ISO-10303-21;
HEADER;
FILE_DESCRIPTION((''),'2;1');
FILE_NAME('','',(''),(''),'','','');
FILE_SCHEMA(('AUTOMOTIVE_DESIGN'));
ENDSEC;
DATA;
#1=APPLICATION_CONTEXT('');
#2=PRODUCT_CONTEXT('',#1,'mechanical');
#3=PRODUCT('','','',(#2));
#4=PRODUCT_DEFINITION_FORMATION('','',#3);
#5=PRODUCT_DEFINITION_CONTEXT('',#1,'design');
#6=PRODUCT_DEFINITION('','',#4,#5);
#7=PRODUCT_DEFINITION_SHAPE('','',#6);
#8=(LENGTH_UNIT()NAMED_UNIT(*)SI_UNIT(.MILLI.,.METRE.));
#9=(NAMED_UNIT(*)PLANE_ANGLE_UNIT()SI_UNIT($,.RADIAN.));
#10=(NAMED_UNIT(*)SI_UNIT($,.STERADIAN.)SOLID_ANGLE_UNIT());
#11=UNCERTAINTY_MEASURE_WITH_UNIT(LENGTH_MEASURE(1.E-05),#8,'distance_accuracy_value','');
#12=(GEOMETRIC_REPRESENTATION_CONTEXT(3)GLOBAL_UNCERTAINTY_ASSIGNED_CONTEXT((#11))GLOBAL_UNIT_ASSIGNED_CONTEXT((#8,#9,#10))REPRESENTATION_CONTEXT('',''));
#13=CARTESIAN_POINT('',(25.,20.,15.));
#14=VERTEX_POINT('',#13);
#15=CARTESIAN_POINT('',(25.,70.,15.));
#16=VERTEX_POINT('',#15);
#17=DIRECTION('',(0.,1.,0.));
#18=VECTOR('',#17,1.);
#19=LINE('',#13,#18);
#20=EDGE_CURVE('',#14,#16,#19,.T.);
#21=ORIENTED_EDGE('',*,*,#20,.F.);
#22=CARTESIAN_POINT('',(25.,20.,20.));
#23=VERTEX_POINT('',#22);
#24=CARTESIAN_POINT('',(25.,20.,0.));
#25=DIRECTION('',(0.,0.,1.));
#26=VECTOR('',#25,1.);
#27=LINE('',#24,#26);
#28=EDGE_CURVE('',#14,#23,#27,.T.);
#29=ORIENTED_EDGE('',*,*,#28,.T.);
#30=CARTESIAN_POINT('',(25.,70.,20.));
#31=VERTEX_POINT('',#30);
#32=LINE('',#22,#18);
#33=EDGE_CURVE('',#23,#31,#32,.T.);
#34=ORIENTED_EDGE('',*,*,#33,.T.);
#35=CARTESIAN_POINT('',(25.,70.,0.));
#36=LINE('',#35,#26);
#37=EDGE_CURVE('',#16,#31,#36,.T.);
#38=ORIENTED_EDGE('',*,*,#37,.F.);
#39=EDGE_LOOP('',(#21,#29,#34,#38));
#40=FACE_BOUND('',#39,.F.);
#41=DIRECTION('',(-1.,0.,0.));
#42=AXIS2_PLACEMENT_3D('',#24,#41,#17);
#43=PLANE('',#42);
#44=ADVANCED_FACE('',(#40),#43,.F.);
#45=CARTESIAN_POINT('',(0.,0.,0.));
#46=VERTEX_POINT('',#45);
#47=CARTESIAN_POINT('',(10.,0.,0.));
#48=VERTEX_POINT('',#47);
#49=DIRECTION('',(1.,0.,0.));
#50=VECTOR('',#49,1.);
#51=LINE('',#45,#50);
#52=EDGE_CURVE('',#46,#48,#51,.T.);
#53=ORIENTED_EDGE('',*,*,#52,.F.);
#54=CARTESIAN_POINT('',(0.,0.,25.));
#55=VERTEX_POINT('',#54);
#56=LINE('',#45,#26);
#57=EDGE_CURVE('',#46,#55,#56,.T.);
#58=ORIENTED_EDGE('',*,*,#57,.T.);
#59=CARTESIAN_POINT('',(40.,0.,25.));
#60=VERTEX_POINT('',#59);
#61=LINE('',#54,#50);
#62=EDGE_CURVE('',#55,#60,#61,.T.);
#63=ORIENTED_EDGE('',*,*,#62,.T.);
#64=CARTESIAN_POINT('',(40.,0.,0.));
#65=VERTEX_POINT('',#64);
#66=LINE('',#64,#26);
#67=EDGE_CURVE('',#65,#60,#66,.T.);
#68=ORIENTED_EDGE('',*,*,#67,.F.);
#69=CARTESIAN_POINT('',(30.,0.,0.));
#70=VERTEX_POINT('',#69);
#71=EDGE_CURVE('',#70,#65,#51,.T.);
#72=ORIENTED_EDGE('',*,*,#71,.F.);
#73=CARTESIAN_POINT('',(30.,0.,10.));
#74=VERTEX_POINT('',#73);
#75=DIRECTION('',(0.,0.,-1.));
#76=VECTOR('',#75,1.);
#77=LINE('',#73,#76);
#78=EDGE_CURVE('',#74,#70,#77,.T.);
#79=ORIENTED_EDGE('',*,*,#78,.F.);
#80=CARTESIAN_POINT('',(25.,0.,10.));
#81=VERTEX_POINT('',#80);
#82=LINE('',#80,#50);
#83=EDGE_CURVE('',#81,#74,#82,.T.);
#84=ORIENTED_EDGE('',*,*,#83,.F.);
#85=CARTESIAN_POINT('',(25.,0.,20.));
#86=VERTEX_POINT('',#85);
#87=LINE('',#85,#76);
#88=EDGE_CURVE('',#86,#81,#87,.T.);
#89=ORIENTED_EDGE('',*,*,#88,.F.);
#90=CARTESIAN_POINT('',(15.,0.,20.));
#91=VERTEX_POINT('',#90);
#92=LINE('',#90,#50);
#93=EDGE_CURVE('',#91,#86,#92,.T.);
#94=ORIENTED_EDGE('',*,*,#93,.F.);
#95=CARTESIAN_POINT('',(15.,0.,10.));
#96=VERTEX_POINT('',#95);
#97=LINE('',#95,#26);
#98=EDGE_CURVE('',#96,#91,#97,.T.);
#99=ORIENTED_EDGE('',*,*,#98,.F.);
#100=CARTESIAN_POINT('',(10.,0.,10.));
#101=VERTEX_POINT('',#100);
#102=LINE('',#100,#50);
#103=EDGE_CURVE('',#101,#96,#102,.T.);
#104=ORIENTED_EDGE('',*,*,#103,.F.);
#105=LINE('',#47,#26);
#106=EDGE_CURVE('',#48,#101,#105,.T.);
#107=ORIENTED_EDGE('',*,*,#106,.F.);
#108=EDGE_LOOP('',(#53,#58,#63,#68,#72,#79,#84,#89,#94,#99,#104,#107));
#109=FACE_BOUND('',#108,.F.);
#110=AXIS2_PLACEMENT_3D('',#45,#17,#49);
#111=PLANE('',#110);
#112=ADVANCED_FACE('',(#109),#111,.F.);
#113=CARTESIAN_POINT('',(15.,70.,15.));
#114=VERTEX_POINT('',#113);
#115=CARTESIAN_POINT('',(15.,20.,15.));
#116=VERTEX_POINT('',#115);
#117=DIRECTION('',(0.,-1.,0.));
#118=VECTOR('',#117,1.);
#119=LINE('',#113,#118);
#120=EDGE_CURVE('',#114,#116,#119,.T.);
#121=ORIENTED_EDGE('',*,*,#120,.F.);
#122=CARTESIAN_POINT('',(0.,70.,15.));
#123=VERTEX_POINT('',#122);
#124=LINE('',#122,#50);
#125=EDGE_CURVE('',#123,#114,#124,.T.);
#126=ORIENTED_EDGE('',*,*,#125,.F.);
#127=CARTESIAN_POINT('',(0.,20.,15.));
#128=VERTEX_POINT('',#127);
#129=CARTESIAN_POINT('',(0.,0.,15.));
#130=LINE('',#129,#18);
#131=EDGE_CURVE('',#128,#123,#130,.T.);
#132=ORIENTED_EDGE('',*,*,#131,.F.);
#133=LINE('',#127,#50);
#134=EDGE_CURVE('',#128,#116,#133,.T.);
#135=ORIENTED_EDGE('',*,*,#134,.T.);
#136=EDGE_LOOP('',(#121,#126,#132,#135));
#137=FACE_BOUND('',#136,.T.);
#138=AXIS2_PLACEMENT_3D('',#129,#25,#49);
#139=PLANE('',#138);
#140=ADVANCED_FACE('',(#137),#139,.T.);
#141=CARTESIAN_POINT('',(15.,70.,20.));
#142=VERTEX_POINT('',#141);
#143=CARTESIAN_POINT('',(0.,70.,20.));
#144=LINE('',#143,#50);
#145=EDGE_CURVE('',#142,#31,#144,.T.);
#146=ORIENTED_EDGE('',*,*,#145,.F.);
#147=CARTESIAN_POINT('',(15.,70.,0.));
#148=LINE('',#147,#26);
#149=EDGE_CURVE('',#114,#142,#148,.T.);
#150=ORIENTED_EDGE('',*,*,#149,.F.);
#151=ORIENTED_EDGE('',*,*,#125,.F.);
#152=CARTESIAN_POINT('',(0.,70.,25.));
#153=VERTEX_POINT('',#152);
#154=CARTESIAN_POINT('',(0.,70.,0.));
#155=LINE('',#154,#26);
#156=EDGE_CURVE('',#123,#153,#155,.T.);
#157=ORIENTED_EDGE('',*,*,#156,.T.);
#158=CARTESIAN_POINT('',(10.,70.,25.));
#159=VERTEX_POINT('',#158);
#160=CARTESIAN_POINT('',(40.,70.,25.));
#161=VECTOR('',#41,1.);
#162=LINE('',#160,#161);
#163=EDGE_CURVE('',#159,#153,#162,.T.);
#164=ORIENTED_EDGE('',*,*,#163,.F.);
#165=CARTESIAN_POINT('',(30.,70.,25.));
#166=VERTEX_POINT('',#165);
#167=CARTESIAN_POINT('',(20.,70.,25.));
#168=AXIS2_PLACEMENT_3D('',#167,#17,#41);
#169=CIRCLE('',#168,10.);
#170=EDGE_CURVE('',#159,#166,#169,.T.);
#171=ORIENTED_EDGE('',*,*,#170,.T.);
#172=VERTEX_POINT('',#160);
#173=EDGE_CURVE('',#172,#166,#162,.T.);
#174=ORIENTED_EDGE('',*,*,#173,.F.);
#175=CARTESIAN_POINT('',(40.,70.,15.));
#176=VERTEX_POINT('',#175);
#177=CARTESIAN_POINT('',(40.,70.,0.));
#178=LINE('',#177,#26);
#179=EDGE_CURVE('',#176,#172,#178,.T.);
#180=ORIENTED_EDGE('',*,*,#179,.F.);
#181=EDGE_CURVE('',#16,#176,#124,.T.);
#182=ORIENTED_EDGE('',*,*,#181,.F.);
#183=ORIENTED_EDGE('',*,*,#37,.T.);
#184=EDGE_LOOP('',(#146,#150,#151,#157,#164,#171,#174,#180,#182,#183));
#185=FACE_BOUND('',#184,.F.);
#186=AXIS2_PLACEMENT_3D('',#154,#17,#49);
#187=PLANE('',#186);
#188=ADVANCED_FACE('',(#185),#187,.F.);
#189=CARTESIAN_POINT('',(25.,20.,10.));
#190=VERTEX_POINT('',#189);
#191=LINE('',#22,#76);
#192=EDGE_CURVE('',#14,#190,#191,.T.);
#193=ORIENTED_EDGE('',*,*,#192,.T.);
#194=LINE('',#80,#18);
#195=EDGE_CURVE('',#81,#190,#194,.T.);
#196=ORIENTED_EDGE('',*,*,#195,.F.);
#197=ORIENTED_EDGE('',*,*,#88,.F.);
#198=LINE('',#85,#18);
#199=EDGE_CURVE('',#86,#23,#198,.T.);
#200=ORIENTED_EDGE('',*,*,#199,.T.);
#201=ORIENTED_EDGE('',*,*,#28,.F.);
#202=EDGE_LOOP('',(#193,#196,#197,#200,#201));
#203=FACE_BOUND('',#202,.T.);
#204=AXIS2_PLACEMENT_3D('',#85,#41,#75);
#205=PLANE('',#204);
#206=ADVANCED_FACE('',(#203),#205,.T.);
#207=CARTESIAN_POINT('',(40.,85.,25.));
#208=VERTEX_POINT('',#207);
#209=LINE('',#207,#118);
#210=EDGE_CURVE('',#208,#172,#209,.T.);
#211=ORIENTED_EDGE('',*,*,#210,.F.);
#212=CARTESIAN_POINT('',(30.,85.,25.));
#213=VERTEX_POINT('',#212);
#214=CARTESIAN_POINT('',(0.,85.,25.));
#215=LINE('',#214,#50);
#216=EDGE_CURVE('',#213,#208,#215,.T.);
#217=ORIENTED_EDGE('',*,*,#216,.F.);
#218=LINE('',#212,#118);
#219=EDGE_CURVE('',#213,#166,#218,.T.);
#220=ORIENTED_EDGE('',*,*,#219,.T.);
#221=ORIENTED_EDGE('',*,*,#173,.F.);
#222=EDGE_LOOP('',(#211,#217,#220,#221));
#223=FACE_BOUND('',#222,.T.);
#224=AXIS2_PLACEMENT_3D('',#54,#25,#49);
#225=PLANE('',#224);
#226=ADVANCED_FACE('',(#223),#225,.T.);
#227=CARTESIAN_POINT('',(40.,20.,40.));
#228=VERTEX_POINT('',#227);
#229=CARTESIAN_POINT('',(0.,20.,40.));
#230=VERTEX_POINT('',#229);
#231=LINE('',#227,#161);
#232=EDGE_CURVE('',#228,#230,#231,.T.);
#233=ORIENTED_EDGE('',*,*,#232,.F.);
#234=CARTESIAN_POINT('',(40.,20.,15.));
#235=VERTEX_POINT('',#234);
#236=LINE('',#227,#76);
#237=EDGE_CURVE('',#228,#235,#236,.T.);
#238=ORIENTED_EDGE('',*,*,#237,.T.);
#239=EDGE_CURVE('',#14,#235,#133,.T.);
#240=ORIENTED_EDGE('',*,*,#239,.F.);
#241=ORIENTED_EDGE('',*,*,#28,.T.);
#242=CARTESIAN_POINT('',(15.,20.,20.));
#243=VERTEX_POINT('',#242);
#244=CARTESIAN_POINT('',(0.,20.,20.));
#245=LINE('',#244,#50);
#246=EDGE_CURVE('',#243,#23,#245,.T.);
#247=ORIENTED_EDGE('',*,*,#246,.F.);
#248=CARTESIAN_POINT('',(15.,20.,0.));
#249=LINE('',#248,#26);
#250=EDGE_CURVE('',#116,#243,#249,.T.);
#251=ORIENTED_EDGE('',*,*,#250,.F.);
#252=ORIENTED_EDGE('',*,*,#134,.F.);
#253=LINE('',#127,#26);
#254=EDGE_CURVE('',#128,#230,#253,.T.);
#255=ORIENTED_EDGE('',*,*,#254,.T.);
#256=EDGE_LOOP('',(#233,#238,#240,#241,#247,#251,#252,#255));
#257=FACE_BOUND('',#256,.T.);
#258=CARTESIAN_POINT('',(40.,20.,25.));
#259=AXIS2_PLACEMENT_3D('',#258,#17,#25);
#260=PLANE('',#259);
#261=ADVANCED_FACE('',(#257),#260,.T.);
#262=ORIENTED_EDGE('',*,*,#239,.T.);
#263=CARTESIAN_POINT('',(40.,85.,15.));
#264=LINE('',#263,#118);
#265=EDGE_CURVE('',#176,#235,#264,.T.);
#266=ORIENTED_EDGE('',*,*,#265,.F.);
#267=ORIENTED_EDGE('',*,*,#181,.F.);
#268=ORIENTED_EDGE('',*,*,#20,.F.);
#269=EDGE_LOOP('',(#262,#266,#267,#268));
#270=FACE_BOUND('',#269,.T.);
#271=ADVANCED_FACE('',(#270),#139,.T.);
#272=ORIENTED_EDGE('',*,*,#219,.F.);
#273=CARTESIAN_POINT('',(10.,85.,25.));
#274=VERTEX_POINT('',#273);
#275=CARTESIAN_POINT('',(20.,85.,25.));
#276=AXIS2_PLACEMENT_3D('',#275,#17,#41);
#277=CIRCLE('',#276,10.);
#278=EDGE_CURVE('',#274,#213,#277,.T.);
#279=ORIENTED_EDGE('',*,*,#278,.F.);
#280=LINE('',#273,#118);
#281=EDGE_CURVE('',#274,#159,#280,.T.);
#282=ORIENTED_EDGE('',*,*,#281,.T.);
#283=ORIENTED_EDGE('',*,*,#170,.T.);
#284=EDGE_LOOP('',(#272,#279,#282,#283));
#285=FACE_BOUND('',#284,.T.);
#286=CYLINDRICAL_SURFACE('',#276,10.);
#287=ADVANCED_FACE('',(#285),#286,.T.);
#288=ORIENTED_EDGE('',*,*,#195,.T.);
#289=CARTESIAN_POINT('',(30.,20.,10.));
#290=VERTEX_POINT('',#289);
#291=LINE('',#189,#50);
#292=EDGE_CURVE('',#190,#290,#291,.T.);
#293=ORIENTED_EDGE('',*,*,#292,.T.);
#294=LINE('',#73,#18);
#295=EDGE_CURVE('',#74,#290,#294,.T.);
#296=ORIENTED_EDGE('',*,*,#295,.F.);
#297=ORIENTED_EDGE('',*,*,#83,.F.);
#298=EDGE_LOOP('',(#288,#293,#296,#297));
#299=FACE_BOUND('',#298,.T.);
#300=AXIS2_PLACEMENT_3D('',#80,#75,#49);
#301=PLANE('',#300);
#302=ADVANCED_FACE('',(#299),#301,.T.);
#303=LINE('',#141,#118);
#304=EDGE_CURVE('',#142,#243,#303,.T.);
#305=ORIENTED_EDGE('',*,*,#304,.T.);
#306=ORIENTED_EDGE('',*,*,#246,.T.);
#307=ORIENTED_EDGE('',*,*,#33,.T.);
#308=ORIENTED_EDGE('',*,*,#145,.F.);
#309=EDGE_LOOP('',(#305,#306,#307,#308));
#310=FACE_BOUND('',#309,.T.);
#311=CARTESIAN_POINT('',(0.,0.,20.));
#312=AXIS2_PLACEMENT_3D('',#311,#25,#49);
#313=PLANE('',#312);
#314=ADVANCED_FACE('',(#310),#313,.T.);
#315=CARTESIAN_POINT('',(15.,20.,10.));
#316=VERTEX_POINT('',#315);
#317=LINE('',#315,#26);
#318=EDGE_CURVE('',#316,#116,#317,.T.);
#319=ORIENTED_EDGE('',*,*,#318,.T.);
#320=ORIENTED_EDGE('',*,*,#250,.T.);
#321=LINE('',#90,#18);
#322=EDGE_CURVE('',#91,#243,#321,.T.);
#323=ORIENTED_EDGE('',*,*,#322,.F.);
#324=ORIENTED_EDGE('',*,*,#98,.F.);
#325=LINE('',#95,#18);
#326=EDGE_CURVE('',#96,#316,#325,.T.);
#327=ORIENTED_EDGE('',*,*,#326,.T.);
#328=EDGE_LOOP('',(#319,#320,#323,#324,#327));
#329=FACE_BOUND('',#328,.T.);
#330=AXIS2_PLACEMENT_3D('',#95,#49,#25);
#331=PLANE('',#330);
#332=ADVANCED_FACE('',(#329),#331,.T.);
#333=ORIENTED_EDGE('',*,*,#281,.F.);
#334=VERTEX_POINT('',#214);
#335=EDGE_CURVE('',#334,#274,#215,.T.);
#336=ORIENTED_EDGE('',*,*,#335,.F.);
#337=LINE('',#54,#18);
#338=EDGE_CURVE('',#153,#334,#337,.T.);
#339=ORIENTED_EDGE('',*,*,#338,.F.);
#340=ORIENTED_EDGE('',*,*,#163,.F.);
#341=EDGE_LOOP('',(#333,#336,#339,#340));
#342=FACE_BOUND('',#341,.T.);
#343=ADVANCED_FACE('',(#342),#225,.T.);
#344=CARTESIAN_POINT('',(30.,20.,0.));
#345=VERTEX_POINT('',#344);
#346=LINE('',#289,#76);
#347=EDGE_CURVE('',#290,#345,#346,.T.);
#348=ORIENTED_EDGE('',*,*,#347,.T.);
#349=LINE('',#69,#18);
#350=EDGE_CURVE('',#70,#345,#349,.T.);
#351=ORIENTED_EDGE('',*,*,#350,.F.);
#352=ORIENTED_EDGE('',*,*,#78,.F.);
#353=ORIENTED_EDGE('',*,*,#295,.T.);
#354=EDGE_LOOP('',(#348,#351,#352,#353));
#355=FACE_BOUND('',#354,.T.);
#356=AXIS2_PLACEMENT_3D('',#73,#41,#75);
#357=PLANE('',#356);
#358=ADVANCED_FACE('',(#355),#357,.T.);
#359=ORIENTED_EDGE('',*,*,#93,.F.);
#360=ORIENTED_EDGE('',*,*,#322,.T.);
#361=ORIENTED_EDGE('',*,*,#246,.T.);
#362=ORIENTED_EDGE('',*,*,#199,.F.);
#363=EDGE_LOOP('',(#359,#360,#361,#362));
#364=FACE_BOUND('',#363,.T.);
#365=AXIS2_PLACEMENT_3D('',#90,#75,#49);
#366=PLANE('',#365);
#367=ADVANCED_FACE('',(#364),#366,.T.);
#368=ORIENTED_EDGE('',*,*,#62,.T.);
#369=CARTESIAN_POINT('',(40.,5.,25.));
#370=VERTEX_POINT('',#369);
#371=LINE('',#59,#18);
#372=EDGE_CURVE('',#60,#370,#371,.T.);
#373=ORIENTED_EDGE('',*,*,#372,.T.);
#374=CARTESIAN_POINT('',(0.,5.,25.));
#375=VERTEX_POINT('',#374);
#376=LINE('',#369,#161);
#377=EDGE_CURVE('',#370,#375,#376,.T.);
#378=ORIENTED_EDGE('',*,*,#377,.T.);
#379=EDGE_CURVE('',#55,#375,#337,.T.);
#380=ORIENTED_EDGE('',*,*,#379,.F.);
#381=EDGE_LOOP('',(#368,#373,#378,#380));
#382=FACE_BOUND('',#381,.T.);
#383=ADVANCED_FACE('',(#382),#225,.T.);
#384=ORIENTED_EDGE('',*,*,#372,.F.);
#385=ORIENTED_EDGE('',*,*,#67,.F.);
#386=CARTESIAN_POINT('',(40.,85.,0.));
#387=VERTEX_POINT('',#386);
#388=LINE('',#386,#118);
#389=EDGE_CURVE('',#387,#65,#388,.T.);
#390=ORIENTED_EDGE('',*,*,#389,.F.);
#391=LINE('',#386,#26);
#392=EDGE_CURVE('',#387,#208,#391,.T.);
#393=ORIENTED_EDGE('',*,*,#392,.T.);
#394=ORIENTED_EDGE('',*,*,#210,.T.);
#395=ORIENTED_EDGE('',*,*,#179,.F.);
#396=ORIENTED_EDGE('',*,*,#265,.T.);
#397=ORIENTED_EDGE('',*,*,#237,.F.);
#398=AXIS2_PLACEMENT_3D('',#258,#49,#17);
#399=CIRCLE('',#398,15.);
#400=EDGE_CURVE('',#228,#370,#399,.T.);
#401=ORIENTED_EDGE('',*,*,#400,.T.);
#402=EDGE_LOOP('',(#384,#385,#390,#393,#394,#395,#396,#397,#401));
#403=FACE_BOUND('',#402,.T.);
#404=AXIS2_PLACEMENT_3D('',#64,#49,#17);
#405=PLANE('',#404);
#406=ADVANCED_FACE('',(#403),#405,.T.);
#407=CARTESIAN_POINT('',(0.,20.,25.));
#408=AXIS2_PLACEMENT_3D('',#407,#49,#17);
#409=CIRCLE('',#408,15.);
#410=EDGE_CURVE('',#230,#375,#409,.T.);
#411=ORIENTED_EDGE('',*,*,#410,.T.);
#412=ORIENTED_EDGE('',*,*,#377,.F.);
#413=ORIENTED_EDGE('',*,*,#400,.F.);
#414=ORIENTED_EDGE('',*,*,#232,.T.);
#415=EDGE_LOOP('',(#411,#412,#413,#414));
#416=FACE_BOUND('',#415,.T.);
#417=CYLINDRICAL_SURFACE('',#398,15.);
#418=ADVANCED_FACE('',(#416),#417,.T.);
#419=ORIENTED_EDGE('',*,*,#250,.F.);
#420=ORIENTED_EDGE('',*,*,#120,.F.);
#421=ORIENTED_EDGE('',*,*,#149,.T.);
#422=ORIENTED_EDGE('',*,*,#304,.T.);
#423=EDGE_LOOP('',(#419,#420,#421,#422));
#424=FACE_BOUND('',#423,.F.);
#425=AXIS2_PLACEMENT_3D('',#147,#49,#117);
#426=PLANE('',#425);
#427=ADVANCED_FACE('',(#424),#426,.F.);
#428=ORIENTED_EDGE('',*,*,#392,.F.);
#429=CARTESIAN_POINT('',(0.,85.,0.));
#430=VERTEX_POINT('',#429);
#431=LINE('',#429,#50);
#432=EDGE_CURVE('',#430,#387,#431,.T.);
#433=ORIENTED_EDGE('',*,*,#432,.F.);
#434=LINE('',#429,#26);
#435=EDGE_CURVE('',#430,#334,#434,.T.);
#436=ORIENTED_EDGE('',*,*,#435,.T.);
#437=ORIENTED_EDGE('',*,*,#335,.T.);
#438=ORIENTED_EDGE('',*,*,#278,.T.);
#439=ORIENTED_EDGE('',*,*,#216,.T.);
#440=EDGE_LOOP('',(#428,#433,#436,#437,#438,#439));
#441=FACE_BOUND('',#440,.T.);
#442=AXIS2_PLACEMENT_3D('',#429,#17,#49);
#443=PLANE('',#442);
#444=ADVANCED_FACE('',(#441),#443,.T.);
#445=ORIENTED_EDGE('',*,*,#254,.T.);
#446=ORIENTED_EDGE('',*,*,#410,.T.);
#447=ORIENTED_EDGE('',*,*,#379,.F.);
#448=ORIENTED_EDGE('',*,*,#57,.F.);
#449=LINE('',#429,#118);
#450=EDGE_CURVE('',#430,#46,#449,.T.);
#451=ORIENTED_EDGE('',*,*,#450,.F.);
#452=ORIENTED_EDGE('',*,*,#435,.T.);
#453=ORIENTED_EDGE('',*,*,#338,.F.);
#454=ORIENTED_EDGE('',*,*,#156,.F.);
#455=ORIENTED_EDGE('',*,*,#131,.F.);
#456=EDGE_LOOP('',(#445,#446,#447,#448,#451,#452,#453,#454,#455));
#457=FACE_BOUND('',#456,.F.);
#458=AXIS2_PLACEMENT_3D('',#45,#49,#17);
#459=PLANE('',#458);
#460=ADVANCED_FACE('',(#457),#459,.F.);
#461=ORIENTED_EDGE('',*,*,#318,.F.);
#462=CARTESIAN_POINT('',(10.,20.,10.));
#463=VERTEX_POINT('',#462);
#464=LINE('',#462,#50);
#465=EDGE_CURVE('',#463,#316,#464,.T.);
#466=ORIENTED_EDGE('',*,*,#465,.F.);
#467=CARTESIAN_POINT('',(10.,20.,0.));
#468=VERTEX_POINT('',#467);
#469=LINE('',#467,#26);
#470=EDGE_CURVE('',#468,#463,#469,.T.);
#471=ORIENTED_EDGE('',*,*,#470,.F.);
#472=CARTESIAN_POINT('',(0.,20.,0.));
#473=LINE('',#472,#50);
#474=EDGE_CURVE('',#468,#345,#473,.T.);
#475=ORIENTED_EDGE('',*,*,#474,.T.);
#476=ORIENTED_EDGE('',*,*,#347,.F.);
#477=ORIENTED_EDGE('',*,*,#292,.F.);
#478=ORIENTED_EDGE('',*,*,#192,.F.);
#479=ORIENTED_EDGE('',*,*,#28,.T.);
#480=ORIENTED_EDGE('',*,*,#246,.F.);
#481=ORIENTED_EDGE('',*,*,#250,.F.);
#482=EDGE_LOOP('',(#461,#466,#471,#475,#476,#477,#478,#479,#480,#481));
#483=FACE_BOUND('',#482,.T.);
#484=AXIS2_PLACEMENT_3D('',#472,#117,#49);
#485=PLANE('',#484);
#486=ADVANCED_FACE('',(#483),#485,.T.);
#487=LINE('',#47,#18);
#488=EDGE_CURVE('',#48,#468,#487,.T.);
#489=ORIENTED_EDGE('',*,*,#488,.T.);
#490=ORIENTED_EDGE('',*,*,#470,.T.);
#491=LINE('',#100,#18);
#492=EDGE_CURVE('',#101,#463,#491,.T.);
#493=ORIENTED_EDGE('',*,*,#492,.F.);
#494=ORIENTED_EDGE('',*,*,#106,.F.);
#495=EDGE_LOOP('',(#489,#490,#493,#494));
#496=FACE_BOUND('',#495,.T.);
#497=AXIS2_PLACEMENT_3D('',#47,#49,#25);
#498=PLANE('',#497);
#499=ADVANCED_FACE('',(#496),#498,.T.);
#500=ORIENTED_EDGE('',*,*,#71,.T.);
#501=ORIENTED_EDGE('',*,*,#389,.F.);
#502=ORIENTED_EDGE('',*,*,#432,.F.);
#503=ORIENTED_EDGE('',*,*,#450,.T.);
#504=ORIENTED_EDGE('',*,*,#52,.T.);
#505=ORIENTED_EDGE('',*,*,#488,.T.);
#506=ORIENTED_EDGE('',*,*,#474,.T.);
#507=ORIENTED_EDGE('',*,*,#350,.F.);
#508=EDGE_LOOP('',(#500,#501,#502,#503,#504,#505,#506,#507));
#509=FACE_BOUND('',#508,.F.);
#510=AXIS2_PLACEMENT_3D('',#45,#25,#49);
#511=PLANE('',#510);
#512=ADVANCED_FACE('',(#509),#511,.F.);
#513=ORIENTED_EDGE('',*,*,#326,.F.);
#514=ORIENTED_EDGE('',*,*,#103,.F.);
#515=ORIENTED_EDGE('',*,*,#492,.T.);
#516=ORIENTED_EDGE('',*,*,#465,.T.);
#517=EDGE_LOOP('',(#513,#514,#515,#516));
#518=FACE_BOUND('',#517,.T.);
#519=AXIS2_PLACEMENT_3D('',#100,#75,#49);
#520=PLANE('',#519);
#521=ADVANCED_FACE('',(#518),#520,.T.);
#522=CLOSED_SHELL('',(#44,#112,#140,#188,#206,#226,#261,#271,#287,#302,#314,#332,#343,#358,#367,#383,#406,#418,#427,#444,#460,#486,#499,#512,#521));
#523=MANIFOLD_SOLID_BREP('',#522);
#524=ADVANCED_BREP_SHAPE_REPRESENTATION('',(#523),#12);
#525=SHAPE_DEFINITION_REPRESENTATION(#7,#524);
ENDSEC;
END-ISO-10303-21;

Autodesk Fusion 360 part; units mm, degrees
sketch "Sketch1" plane through (0, 0, 0) normal (0, 0, 1) x (1, 0, 0)
  line L0 (0, 0) -> (40, 0)
  line L1 (0, 0) -> (0, 85)
  line L2 (0, 85) -> (40, 85)
  line L3 (40, 85) -> (40, 0)
  line L4 (0, 0) -> (0, 5)
  line L5 (0, 5) -> (40, 5)
  line L6 (40, 5) -> (40, 0)
  line L7 (0, 5) -> (0, 20)
  line L8 (0, 20) -> (40, 20)
  line L9 (40, 20) -> (40, 5)
  line L10 (0, 85) -> (0, 70)
  line L11 (0, 70) -> (40, 70)
  line L12 (40, 70) -> (40, 85)
  line L13 (0, 70) -> (15, 70)
  line L14 (15, 70) -> (15, 20)
  line L15 (15, 20) -> (25, 20)
  line L16 (15, 20) -> (25, 20)
  line L17 (25, 20) -> (25, 70)
  line L18 (25, 70) -> (15, 70)
extrude "Extrude1" add sketch "Sketch1" along normal blind 25 contours L0 L1 L3 L4 L5 L6 makes body 1
extrude "Extrude2" add sketch "Sketch1" along normal blind 15 separate body contours L1 L8 L11 L13 L14 | L3 L8 L11 L17 makes body 2 at (0, 36.6667, 10) makes body 3 at (25, 36.6667, 10)
extrude "Extrude3" add sketch "Sketch1" along normal blind 20 contours L8 L11 L14 L15 L16 L17 L18 bodies 2 3
extrude "Extrude4" add sketch "Sketch1" along normal blind 25 contours L1 L2 L3 L10 L11 L12 L13 L18 bodies 2
extrude "Extrude5" add sketch "Sketch1" along normal blind 25 contours L1 L3 L5 L7 L8 L9 L15 L16 bodies 1 2
sketch "Sketch2" plane through (0, 0, 25) normal (0, 0, 1) x (-1, 0, 0)
  line L0 (0, 0) -> (-40, 0)
  line L1 (-40, 0) -> (-40, -20)
  line L2 (-40, -20) -> (0, -20)
  line L3 (0, -20) -> (0, 0)
  line L4 (0, -20) -> (0, -5)
  line L5 (-40, -5) -> (-40, -20)
  line L6 (0, -20) -> (-40, -20)
  line L7 (-40, -5) -> (0, -5)
sketch "Sketch3" plane through (40, 0, 0) normal (1, 0, 0) x (0, 1, 0)
  line L0 (0, 0) -> (85, 0)
  line L1 (85, 0) -> (85, 25)
  line L2 (85, 25) -> (70, 25)
  line L3 (70, 25) -> (70, 15)
  line L4 (70, 15) -> (20, 15)
  line L5 (20, 15) -> (20, 25)
  line L6 (20, 25) -> (0, 25)
  line L7 (0, 25) -> (0, 0)
  circle A0 centre (20, 25) radius 15
  line L8 (20, 25) -> (20, 40)
extrude "Extrude6" add sketch "Sketch3" against normal blind 40 contours L6 A0 L8 bodies 1
sketch "Sketch4" plane through (0, 85, 0) normal (0, 1, 0) x (-1, 0, 0)
  line L0 (-40, 0) -> (0, 0)
  line L1 (0, 0) -> (0, 25)
  line L2 (0, 25) -> (-40, 25)
  line L3 (-40, 25) -> (-40, 0)
  circle A0 centre (-20, 25) radius 10
  line L4 (-30, 25) -> (-10, 25)
extrude "Extrude7" add sketch "Sketch4" against normal blind 15 contours L2 A0 L4 picked at (-23.1513, 27.4288) bodies 1
sketch "Sketch5" plane through (0, 0, 0) normal (0, -1, 0) x (1, 0, 0)
  line L0 (0, 0) -> (40, 0)
  line L1 (40, 0) -> (40, 25)
  line L2 (40, 25) -> (0, 25)
  line L3 (0, 25) -> (0, 0)
  line L4 (0, 0) -> (10, 0)
  line L5 (10, 0) -> (10, 10)
  line L6 (10, 10) -> (15, 10)
  line L7 (15, 10) -> (15, 20)
  line L8 (15, 20) -> (25, 20)
  line L9 (25, 20) -> (25, 10)
  line L10 (25, 10) -> (30, 10)
  line L11 (30, 10) -> (30, 0)
  line L12 (30, 0) -> (10, 0)
sketch "Sketch6" plane through (0, 0, 0) normal (0, -1, 0) x (1, 0, 0)
extrude "Extrude8" cut sketch "Sketch5" against normal blind 20 contours L0 L5 L6 L7 L8 L9 L10 L11 L12 bodies 1
